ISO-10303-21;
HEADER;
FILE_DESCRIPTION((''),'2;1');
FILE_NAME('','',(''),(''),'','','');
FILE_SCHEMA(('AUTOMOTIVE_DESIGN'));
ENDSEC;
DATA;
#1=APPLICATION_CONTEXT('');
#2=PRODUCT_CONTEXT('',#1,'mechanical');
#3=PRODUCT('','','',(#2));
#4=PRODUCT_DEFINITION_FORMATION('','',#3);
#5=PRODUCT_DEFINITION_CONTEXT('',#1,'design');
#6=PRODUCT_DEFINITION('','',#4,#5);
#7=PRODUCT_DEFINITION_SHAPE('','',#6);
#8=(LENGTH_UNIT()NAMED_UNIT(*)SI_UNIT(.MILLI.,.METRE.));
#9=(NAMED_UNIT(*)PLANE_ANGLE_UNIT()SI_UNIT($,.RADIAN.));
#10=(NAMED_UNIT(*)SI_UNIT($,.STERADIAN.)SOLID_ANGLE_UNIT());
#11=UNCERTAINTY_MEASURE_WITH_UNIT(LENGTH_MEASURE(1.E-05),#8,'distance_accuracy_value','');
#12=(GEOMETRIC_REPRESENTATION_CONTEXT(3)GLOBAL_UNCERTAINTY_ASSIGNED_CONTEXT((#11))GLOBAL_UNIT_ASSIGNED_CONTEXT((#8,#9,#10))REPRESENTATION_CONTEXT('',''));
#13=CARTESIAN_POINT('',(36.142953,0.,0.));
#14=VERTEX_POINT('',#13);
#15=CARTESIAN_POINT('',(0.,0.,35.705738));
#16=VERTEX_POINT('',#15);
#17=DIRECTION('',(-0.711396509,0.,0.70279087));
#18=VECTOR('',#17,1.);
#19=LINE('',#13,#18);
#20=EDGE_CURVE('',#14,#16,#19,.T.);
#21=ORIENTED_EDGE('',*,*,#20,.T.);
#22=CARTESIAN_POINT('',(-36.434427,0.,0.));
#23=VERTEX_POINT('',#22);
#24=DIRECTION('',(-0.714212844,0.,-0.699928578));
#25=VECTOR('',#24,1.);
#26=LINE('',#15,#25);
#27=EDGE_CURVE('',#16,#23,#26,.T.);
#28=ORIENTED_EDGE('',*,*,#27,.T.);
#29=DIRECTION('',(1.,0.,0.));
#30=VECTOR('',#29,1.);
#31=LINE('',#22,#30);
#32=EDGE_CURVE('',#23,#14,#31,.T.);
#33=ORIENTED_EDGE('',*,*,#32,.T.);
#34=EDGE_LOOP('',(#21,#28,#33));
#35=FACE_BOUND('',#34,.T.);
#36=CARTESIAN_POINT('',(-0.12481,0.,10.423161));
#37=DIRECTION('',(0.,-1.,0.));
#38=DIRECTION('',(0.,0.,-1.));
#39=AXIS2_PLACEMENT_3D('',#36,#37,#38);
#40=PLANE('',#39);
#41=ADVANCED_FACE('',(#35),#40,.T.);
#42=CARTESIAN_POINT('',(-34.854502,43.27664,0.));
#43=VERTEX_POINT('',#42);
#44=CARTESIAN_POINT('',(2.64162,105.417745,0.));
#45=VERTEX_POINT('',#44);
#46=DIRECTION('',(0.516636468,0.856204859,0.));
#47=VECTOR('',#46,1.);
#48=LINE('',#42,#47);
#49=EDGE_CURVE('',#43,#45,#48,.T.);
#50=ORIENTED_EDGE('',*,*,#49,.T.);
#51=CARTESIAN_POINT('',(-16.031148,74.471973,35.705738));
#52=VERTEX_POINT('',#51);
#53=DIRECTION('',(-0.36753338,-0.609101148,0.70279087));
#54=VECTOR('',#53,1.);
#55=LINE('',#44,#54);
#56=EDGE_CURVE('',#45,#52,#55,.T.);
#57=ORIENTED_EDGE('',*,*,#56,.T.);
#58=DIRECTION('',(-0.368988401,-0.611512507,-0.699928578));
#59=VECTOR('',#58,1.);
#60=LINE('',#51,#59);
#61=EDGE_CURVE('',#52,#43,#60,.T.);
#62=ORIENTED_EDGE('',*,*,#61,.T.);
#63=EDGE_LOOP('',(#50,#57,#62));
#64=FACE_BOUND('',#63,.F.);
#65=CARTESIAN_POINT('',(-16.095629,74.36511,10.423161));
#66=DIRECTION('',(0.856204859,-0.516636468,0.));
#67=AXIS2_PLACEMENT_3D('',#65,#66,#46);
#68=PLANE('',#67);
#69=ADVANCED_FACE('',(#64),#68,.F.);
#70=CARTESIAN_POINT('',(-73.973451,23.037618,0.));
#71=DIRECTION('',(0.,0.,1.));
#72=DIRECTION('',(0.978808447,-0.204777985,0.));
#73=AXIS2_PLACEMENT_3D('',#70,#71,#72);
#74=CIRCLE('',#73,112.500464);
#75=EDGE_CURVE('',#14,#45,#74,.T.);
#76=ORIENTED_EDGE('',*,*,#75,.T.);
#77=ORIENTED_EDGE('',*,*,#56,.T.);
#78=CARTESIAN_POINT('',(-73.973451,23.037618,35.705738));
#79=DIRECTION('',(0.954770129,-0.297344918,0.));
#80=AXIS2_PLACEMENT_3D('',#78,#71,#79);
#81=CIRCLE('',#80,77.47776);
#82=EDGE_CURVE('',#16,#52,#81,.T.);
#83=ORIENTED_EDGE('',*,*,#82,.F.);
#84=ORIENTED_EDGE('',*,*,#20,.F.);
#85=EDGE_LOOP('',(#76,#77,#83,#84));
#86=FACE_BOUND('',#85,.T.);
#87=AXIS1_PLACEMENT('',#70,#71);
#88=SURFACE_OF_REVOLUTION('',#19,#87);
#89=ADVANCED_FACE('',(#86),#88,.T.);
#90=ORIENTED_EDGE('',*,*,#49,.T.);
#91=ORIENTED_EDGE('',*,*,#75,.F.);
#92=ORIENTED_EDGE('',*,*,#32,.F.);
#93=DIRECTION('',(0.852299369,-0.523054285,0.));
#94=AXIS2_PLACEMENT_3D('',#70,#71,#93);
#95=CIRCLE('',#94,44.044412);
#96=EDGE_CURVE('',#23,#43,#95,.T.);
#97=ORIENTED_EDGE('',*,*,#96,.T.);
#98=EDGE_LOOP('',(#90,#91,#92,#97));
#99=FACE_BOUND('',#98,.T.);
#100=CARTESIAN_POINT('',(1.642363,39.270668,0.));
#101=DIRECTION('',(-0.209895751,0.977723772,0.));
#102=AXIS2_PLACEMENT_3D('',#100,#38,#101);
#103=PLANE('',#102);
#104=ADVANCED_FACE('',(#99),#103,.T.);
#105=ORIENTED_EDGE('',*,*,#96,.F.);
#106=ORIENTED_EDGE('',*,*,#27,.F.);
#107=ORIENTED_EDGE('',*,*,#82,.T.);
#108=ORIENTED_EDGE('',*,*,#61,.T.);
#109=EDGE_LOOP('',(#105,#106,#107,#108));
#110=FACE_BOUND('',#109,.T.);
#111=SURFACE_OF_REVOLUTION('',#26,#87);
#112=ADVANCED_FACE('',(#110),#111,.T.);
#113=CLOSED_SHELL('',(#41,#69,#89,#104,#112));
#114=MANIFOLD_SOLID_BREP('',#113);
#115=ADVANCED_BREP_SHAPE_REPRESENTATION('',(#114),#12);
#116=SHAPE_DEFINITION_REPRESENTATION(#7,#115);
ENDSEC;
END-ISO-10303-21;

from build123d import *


with BuildPart() as f2:
    # F2: sweep along a path in F1
    with BuildLine(Plane.XY) as f2_path:
        ThreePointArc((0, 0), (1.769273, 39.342313), (-16.031148, 74.471973))
    # F0 (on Front) → F2 (sweep)
    with BuildSketch(Plane.XZ):
        Polygon((36.142953, 0), (0, 35.705738), (-36.434427, 0), align=None)
    sweep(path=f2_path.line)


solid = f2.part
